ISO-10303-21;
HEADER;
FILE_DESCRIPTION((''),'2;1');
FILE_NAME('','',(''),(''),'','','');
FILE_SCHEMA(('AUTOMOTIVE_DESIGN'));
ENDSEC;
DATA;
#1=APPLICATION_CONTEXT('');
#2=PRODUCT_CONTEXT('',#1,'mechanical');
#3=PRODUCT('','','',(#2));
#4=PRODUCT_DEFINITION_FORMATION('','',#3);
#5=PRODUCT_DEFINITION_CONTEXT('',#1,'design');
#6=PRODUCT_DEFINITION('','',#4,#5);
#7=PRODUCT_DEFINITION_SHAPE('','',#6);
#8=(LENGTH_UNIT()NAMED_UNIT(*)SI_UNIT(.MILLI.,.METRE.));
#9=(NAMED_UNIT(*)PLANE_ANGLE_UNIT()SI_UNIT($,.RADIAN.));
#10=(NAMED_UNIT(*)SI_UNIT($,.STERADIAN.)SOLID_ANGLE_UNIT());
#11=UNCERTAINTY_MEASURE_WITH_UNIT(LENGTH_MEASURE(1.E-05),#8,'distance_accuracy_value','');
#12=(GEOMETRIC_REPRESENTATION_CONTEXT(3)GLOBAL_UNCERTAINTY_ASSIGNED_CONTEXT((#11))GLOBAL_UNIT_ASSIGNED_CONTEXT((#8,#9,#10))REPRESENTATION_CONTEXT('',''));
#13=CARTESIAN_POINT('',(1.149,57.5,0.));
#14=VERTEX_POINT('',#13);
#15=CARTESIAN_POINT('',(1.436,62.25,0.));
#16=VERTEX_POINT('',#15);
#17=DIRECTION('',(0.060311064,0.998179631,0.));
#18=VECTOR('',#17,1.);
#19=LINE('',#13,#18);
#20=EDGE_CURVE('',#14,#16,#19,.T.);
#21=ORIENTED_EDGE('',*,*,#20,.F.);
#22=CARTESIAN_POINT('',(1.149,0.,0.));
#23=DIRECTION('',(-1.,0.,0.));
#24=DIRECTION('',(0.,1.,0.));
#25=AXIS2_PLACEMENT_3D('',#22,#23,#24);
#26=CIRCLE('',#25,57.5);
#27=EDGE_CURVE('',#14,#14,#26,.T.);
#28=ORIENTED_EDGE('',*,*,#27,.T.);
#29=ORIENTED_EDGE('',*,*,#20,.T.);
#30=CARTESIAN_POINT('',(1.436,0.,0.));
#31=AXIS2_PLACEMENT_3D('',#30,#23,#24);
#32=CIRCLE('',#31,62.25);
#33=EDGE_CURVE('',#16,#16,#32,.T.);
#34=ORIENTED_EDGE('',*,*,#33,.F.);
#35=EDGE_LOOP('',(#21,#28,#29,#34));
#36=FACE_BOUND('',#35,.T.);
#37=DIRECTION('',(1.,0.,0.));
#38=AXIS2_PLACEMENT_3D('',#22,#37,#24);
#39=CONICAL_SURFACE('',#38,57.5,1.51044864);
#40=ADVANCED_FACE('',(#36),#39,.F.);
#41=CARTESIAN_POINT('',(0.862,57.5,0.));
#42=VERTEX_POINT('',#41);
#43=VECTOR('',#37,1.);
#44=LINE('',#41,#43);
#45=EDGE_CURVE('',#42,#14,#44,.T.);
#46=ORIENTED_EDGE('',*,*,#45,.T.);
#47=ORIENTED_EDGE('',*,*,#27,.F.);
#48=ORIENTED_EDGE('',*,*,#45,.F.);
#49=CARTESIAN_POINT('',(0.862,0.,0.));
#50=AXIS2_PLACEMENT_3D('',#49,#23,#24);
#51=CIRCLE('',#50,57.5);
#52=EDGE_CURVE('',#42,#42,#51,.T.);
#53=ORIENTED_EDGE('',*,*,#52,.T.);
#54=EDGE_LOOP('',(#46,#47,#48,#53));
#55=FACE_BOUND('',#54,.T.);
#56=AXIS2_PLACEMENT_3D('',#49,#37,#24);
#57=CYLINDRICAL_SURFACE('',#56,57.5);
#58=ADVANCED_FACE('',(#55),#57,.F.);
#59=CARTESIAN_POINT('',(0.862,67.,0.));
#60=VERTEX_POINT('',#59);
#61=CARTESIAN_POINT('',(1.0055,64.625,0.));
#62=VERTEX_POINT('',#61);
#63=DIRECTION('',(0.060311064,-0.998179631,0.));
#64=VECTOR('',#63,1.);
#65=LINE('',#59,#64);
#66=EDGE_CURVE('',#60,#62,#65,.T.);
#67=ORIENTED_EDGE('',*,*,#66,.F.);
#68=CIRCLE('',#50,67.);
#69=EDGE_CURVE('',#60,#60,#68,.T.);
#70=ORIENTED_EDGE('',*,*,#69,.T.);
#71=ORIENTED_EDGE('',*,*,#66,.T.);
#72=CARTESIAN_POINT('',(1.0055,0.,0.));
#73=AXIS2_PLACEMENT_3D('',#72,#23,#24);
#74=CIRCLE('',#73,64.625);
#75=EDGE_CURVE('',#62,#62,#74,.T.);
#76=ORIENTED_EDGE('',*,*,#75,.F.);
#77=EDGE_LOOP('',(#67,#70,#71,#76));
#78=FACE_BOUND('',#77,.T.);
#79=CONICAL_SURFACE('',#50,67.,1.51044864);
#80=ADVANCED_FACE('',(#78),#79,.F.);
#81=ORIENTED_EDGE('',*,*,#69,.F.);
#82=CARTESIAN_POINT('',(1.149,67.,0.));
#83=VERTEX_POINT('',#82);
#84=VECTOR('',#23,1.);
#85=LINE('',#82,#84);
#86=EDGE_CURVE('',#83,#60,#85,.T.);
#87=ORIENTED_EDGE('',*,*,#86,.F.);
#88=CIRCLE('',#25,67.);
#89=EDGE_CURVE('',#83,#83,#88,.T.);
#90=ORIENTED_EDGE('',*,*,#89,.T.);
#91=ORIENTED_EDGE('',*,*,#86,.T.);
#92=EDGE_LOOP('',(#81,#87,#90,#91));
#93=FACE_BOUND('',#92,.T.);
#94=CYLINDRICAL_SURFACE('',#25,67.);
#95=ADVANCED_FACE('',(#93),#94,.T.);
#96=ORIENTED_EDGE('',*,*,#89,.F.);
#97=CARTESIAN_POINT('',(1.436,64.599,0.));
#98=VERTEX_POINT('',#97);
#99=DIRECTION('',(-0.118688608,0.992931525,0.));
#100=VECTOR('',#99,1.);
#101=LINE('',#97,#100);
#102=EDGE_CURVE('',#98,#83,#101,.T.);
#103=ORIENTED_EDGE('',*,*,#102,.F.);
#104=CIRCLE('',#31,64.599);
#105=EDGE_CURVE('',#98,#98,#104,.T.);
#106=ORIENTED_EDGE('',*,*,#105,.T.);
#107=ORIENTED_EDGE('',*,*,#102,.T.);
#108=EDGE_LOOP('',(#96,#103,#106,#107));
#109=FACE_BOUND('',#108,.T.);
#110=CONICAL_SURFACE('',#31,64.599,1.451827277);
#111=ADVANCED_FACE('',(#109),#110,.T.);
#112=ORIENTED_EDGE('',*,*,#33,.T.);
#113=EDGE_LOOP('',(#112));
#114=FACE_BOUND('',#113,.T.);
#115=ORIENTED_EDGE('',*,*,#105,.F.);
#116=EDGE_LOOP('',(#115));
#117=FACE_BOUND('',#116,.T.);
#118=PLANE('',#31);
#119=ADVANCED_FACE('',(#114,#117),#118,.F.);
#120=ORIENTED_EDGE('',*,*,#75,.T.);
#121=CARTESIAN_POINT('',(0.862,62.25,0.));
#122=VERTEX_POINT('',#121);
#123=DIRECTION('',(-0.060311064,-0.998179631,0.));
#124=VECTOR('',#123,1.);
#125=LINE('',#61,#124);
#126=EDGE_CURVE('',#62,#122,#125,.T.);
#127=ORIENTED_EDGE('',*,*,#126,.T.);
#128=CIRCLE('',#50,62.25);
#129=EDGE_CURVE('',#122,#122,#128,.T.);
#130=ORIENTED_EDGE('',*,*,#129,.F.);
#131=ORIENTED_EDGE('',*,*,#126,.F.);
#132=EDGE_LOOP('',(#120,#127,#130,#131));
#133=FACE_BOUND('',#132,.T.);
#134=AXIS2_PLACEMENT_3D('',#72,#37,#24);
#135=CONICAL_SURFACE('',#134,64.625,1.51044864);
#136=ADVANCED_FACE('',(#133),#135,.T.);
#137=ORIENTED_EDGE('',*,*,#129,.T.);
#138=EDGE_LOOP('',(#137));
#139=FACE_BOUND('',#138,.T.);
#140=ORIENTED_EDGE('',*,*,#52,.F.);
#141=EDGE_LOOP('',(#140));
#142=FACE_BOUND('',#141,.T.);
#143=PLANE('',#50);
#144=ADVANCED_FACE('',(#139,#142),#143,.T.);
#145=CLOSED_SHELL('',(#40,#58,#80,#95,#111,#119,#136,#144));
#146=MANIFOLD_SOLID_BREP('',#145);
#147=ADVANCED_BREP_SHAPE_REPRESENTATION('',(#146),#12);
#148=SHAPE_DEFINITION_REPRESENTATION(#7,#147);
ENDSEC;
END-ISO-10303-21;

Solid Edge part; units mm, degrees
sketch "Sketch1" plane through (0, 0, 0) normal (0, 0, 1) x (1, 0, 0)
  line L0 (0.862, 57.5) -> (1.149, 57.5)
  line L1 (1.149, 57.5) -> (1.436, 62.25)
  line L2 (1.436, 62.25) -> (1.436, 64.599)
  line L3 (1.436, 64.599) -> (1.149, 67)
  line L4 (1.149, 67) -> (0.862, 67)
  line L5 (0.862, 67) -> (1.0055, 64.625)
  line L6 (1.0055, 64.625) -> (0.862, 62.25)
  line L7 (0.862, 62.25) -> (0.862, 57.5)
revolve "RevolvedProtrusion1" add sketch "Sketch1" angle 360 about axis through (1.149, 0, 0) along (-1, 0, 0)
